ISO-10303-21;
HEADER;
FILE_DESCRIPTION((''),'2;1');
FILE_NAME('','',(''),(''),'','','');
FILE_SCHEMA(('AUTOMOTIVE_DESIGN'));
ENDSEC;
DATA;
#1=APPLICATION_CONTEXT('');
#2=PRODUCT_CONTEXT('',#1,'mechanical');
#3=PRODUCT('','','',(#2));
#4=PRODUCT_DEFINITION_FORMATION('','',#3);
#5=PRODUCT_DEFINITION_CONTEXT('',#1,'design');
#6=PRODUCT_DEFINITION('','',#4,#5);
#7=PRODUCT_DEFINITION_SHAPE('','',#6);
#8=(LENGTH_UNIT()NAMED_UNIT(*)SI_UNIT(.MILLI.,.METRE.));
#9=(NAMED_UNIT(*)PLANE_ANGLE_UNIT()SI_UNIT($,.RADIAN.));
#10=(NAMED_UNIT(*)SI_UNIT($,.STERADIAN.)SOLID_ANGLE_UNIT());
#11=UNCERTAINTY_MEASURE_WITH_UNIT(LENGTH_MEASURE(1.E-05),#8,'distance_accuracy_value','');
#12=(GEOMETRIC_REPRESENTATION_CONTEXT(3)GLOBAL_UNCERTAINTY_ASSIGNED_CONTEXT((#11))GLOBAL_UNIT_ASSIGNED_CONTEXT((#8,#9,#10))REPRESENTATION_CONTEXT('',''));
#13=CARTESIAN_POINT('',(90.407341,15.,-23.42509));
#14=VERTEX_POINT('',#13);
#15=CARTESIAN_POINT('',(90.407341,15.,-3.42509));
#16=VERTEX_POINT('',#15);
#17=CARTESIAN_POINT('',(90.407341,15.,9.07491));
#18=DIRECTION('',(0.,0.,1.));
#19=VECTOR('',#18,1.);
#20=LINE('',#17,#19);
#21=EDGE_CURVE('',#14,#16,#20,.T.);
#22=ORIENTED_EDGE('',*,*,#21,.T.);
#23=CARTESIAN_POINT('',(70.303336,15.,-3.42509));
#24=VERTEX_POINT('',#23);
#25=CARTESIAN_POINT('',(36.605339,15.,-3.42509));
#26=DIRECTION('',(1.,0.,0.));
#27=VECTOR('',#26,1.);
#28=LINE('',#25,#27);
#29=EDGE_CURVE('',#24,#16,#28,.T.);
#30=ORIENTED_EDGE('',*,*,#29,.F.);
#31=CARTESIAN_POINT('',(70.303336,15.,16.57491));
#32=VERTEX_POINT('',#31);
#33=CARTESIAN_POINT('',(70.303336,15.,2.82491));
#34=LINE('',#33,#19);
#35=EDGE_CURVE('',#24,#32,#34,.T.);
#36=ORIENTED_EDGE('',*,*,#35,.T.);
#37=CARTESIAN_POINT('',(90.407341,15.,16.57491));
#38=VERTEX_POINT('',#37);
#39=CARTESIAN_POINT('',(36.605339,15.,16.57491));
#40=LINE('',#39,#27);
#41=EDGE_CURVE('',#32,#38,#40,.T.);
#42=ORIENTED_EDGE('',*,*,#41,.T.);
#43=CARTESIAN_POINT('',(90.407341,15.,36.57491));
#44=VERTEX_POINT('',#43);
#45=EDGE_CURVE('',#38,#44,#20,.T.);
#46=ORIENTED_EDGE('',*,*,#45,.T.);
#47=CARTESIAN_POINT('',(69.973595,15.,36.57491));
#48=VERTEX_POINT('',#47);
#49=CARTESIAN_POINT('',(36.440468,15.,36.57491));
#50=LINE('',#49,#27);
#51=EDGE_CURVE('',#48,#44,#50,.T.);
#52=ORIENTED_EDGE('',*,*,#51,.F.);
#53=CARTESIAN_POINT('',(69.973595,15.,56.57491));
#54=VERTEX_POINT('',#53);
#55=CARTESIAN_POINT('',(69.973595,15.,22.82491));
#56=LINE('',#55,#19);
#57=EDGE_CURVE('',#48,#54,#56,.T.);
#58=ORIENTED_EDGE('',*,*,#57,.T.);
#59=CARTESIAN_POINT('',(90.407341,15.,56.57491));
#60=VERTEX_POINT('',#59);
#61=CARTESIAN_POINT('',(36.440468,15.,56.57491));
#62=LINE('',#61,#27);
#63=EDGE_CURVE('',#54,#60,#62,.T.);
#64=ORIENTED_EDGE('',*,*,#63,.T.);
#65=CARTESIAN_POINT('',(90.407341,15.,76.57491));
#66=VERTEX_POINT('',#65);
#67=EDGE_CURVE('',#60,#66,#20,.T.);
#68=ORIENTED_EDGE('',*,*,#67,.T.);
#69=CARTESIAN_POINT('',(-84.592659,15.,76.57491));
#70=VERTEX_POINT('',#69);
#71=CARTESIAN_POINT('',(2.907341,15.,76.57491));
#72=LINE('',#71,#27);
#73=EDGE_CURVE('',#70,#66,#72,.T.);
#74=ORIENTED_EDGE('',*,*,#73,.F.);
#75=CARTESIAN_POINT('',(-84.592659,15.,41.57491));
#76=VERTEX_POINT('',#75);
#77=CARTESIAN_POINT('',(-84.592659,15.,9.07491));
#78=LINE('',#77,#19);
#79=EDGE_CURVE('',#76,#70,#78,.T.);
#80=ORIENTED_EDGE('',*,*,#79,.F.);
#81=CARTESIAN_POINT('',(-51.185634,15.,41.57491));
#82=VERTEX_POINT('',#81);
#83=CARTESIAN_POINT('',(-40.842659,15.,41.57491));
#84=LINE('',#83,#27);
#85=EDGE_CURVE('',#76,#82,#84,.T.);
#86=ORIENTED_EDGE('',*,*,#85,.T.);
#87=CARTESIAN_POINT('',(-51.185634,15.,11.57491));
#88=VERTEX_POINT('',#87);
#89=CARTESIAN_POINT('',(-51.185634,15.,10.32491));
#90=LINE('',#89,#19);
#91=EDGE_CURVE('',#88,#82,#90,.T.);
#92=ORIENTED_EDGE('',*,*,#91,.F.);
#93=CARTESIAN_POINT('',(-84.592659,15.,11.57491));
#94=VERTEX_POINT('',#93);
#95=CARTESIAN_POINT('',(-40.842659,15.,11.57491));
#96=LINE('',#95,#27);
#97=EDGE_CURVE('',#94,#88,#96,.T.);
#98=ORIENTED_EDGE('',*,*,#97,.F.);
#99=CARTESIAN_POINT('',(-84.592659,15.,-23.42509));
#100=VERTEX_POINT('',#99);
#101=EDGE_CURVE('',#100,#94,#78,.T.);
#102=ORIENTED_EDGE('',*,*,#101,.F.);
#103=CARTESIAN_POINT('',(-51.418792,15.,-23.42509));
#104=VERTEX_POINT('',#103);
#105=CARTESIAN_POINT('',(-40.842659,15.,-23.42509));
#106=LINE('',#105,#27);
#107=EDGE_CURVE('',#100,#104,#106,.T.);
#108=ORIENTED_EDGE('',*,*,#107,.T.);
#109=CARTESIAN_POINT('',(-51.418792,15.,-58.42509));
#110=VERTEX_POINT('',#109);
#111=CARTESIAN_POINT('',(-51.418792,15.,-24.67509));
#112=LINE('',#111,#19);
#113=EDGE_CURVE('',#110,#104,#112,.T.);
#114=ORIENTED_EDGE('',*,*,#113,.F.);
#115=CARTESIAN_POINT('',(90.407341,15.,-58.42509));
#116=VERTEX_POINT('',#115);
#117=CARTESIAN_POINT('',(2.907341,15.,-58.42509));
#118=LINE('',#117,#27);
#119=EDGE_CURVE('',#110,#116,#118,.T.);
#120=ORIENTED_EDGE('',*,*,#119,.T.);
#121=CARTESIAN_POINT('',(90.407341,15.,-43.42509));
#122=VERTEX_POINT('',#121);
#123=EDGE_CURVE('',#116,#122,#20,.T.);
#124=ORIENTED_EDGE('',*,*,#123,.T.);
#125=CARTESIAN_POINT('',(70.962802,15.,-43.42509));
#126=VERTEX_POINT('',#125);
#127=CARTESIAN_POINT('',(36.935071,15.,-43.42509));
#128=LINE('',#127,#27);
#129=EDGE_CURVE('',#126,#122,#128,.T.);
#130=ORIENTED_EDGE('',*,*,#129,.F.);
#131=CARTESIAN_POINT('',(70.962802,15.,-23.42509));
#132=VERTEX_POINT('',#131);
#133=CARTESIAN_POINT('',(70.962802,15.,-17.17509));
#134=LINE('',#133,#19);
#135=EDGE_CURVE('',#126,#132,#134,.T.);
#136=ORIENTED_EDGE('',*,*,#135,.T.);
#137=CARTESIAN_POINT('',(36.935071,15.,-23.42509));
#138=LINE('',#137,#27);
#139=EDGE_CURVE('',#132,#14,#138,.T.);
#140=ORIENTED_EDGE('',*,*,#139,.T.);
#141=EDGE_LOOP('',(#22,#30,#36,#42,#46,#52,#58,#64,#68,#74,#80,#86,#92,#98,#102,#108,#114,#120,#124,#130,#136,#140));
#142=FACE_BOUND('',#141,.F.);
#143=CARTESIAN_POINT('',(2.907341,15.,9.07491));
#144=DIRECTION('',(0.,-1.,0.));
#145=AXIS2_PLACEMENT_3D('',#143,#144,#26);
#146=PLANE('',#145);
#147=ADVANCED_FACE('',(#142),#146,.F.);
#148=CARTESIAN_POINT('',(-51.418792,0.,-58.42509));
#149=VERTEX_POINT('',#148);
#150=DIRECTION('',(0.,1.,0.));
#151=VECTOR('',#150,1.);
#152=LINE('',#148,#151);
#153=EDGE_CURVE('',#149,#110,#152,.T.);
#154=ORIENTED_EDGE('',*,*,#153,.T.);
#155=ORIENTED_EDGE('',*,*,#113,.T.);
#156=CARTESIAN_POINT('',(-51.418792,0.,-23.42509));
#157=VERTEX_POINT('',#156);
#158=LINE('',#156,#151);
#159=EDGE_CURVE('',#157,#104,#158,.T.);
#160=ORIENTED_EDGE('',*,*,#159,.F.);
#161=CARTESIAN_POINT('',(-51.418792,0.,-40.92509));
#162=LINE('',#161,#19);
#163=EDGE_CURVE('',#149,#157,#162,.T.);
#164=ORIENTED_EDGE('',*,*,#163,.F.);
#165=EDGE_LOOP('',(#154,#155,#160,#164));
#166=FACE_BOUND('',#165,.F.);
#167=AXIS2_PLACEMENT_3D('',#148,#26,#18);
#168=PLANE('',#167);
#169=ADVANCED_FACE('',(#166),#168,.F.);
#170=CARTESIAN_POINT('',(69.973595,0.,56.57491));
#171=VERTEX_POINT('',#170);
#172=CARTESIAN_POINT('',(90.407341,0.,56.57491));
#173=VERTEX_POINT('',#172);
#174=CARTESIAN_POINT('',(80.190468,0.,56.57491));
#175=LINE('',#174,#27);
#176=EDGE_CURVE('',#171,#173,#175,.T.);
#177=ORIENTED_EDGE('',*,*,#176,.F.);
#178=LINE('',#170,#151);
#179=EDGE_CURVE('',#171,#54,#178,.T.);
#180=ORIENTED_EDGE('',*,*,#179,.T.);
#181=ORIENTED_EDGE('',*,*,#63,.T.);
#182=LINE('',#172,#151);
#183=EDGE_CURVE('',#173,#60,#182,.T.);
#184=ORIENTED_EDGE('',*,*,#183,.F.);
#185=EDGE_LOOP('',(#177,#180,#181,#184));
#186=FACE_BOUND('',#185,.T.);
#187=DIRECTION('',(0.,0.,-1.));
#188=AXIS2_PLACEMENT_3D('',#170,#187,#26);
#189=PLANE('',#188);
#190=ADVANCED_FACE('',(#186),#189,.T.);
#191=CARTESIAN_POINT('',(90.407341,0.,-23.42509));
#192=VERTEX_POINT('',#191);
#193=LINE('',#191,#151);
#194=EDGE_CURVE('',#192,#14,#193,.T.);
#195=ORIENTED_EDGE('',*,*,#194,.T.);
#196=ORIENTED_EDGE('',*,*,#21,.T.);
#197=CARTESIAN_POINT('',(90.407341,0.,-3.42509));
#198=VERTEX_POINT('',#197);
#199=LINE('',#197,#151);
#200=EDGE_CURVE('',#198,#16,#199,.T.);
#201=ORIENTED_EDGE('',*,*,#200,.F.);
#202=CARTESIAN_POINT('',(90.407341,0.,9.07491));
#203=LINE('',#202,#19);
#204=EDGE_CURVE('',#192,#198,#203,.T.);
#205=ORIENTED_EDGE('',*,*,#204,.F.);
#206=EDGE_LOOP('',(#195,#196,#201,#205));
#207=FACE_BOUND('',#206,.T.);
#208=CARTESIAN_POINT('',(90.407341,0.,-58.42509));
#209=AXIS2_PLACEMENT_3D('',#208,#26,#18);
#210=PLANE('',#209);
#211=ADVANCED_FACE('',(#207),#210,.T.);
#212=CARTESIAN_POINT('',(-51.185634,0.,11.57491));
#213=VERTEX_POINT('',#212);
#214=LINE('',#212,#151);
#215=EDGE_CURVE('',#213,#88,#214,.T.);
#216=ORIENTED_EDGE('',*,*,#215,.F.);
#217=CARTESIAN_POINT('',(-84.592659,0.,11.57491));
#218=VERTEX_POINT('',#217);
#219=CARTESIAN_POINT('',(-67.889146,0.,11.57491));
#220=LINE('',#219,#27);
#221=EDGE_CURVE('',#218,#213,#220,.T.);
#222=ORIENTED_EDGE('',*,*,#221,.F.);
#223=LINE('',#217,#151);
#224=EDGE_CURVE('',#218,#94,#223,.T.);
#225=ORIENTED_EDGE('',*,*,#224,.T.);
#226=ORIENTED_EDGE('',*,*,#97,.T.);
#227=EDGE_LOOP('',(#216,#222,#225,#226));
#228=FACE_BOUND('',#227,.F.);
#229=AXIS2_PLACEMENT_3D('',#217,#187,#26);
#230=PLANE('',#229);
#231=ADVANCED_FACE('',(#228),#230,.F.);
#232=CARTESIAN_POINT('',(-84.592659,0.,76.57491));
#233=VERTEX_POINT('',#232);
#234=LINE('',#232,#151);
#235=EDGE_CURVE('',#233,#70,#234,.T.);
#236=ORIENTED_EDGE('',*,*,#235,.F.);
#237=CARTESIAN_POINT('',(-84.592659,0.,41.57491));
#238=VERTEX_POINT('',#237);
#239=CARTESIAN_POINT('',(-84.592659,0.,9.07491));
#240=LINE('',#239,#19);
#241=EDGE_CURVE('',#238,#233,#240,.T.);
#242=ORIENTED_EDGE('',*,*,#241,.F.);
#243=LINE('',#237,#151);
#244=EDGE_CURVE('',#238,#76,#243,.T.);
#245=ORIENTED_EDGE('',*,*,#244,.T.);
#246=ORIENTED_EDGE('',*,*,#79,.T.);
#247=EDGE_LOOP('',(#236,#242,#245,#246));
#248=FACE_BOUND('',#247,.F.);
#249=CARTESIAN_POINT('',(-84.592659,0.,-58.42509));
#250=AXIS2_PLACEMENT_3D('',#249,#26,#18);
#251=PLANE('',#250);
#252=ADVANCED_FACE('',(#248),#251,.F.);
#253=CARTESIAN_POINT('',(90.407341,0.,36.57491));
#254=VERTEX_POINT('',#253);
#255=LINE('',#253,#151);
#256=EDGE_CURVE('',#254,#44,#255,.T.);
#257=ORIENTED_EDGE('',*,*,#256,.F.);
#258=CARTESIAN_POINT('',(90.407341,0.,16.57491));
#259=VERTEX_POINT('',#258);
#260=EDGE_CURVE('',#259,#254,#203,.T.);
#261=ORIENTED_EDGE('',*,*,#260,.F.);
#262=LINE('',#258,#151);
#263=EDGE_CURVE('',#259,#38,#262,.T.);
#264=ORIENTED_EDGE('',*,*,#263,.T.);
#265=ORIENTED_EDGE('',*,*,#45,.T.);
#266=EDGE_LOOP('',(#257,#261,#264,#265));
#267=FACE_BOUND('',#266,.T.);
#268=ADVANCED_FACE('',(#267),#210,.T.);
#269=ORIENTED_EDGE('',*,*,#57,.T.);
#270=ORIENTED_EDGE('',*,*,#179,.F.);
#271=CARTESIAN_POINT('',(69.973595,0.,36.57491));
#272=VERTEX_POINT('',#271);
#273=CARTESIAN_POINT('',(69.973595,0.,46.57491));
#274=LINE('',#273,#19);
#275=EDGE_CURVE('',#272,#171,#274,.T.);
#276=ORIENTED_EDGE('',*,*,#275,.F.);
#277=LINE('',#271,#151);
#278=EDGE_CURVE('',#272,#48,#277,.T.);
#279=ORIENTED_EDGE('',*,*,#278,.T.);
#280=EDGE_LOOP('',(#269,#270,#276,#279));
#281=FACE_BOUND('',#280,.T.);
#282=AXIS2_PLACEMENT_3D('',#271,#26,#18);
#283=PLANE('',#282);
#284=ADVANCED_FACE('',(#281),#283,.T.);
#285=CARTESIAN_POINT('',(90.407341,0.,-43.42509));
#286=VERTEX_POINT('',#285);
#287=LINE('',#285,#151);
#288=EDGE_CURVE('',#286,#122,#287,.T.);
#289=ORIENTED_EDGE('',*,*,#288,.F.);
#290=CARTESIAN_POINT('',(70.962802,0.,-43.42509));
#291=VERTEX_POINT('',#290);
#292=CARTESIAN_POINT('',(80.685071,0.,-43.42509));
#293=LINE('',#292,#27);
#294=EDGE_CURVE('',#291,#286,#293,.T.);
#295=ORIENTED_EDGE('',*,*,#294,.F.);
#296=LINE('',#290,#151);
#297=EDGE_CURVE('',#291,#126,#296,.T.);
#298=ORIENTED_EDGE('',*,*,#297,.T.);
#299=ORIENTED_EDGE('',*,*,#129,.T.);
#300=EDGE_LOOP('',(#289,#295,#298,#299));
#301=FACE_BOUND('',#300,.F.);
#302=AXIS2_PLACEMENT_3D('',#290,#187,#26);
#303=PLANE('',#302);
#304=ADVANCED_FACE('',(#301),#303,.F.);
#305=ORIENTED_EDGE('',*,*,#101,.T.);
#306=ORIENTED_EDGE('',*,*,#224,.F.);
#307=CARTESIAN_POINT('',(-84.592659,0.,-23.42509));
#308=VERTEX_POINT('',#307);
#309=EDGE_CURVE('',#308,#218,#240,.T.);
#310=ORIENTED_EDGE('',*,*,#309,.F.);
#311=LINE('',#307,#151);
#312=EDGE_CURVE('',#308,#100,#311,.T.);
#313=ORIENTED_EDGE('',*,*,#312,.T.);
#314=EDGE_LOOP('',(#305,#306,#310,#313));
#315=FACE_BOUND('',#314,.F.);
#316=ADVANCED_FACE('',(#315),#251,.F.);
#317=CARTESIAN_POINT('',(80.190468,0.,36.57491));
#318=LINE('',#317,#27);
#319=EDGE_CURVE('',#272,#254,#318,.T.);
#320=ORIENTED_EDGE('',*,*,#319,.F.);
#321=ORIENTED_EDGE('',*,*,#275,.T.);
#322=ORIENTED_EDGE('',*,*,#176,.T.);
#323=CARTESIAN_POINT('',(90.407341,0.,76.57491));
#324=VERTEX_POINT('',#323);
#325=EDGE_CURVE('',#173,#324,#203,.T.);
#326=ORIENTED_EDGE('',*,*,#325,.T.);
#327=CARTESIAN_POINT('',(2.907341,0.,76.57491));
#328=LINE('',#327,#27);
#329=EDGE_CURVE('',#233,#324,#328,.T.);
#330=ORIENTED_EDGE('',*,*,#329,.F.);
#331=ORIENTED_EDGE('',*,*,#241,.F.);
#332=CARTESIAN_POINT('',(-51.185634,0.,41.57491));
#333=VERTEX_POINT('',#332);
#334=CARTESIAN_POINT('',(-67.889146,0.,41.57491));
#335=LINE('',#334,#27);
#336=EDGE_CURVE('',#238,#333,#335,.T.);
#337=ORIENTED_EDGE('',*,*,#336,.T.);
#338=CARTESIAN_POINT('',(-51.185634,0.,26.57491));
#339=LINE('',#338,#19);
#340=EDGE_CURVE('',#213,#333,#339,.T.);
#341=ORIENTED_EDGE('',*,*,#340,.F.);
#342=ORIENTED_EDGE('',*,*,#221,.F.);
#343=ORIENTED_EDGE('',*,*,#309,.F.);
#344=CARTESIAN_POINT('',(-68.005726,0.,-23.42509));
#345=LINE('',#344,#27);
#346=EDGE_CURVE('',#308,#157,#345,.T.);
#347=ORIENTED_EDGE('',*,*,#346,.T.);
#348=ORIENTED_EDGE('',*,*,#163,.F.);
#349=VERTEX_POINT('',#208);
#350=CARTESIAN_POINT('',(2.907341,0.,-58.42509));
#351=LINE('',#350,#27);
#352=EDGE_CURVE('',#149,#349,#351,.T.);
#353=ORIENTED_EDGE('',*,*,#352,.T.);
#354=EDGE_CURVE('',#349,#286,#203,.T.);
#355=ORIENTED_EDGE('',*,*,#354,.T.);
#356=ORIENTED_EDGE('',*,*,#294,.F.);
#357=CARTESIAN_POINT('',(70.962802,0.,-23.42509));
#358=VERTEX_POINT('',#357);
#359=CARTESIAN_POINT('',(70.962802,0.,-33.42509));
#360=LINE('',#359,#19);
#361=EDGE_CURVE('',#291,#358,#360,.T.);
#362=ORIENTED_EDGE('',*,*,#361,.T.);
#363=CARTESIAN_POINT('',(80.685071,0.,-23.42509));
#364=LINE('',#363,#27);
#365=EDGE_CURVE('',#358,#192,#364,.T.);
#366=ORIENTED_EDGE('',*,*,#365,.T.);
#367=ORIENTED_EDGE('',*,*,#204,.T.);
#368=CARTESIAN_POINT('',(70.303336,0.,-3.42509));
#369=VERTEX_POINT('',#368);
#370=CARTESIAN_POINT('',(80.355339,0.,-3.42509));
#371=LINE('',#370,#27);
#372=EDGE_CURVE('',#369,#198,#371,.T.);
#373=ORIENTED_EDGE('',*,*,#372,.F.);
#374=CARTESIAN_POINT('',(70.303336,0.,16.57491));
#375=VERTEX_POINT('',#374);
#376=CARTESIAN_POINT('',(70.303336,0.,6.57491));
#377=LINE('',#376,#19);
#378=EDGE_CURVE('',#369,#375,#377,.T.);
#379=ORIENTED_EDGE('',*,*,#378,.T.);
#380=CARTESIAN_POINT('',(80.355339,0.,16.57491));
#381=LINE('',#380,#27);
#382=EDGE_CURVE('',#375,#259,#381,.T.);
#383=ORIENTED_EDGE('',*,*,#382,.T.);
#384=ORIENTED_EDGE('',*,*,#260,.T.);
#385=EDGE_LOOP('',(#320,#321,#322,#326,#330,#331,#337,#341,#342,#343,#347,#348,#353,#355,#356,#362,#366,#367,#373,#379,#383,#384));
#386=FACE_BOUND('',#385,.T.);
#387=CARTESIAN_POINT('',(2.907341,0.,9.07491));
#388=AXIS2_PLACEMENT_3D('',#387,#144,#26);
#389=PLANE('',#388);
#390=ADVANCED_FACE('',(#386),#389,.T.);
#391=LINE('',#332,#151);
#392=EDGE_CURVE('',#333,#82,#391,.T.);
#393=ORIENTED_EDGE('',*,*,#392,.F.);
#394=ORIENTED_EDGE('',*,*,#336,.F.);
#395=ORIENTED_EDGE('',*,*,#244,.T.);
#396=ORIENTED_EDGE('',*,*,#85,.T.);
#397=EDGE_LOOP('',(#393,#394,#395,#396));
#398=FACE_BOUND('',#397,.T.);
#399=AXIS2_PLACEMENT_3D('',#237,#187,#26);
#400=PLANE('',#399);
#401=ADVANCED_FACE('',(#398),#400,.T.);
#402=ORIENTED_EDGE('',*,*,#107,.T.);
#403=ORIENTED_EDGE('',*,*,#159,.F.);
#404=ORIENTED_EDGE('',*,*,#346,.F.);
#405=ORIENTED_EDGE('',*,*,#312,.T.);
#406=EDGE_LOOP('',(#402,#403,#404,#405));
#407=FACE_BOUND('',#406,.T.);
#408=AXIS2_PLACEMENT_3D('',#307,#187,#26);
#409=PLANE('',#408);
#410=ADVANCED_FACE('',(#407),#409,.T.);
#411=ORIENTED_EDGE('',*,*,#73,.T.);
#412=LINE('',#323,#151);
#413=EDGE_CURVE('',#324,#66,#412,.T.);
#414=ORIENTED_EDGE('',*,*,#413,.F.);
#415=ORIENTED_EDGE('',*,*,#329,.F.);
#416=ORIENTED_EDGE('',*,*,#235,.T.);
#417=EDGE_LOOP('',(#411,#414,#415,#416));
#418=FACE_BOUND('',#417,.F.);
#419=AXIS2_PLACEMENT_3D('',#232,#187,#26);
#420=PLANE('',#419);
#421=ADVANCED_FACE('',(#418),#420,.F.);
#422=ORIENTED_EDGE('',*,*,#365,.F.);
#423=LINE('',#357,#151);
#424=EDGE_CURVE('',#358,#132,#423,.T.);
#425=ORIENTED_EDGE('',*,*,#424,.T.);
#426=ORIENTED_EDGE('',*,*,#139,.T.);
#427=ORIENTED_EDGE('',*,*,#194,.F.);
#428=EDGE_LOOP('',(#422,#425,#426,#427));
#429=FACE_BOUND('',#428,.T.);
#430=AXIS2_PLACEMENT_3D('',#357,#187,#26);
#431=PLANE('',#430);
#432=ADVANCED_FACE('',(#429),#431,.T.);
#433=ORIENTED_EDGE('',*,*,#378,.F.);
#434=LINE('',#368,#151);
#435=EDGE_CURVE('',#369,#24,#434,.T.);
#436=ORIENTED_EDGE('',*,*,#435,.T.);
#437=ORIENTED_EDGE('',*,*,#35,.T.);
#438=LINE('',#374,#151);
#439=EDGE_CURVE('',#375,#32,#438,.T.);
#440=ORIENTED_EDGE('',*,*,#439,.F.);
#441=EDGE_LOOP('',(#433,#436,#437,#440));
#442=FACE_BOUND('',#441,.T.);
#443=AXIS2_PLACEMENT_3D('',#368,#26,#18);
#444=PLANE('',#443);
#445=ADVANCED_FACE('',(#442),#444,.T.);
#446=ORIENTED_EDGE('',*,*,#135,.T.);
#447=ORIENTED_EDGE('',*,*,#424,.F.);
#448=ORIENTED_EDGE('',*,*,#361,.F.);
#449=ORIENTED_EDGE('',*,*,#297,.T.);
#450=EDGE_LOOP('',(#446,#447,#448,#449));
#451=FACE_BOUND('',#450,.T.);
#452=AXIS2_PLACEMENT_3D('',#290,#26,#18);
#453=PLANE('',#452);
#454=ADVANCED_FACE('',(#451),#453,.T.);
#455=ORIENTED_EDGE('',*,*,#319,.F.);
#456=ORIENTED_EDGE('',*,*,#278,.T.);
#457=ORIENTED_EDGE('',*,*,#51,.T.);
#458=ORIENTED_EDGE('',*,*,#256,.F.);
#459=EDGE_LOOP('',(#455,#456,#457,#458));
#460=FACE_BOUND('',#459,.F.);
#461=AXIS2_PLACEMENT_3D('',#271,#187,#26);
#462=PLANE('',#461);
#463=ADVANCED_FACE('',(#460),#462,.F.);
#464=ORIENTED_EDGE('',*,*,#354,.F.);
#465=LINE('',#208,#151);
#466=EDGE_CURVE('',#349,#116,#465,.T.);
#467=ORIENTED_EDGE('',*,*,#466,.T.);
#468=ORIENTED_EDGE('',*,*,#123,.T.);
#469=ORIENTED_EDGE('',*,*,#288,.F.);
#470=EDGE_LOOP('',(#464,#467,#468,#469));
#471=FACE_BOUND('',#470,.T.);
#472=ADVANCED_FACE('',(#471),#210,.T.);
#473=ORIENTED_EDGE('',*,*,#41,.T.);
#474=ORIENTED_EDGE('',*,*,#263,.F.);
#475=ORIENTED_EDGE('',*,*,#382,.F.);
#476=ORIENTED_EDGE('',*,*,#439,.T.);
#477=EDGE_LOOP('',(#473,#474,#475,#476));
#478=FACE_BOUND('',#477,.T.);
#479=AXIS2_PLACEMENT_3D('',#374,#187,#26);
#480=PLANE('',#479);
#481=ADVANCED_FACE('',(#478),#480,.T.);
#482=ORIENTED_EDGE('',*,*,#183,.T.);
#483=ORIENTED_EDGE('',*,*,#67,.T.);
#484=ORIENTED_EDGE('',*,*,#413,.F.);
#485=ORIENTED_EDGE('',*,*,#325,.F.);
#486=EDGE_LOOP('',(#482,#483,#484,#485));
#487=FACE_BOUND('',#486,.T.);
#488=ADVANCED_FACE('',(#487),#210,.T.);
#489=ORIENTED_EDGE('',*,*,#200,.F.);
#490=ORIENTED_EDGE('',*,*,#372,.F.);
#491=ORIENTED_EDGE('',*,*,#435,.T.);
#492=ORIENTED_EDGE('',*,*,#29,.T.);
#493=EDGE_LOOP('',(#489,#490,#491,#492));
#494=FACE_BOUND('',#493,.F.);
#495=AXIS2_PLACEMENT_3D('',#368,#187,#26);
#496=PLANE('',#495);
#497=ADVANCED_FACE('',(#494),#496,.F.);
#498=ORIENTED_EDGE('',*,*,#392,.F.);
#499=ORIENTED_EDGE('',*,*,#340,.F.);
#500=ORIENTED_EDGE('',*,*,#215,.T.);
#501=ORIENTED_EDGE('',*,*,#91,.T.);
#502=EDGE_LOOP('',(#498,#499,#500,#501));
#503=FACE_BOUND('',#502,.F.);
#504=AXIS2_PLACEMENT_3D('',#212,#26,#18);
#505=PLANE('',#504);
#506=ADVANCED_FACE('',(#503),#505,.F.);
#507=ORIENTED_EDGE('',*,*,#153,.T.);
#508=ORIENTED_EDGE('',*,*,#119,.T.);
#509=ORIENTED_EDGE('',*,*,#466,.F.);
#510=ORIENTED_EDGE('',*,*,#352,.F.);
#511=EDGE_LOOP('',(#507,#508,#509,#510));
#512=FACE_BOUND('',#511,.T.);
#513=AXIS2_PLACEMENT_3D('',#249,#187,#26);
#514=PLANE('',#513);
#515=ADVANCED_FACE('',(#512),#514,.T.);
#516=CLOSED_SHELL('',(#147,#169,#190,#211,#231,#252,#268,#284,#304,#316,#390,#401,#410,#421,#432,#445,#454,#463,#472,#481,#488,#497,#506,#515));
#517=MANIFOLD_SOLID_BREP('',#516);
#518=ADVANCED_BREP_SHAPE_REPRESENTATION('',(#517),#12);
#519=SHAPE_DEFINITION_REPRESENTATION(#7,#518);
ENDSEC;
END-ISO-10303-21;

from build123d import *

# Parameters (mm, degrees)
F0_W     = 175
F0_H     = 135
F1_DEPTH = 15
F2_W     = 33.1738661975
F2_H     = 35
F2_W_2   = 33.4070246667
F2_H_2   = 30
F3_DEPTH = 15.001
F4_W     = 20.4337459058
F4_H     = 20
F4_W_2   = 20.1040055603
F4_W_3   = 19.4445397705
F5_DEPTH = 15.001


with BuildPart() as f1:
    # F0 (on Front) → F1 (new body)
    with BuildSketch(Plane.XZ):
        with Locations((2.9073413461, 9.0749097914)):
            Rectangle(F0_W, F0_H)
    extrude(amount=-F1_DEPTH)

    # F2 (on face) → F3 (cut, through all)
    with BuildSketch(Plane.XZ):
        with Locations((-68.0057255551, -40.9250902086)):
            Rectangle(F2_W, F2_H)
        with Locations((-67.8891463205, 26.5749097914)):
            Rectangle(F2_W_2, F2_H_2)
    extrude(amount=-F3_DEPTH, mode=Mode.SUBTRACT)

    # F4 (on face) → F5 (cut, through all)
    with BuildSketch(Plane.XZ):
        with Locations((80.1904683933, 46.5749097914)):
            Rectangle(F4_W, F4_H)
        with Locations((80.355338566, 6.5749097914)):
            Rectangle(F4_W_2, F4_H)
        with Locations((80.6850714609, -33.4250902086)):
            Rectangle(F4_W_3, F4_H)
    extrude(amount=-F5_DEPTH, mode=Mode.SUBTRACT)


solid = f1.part
